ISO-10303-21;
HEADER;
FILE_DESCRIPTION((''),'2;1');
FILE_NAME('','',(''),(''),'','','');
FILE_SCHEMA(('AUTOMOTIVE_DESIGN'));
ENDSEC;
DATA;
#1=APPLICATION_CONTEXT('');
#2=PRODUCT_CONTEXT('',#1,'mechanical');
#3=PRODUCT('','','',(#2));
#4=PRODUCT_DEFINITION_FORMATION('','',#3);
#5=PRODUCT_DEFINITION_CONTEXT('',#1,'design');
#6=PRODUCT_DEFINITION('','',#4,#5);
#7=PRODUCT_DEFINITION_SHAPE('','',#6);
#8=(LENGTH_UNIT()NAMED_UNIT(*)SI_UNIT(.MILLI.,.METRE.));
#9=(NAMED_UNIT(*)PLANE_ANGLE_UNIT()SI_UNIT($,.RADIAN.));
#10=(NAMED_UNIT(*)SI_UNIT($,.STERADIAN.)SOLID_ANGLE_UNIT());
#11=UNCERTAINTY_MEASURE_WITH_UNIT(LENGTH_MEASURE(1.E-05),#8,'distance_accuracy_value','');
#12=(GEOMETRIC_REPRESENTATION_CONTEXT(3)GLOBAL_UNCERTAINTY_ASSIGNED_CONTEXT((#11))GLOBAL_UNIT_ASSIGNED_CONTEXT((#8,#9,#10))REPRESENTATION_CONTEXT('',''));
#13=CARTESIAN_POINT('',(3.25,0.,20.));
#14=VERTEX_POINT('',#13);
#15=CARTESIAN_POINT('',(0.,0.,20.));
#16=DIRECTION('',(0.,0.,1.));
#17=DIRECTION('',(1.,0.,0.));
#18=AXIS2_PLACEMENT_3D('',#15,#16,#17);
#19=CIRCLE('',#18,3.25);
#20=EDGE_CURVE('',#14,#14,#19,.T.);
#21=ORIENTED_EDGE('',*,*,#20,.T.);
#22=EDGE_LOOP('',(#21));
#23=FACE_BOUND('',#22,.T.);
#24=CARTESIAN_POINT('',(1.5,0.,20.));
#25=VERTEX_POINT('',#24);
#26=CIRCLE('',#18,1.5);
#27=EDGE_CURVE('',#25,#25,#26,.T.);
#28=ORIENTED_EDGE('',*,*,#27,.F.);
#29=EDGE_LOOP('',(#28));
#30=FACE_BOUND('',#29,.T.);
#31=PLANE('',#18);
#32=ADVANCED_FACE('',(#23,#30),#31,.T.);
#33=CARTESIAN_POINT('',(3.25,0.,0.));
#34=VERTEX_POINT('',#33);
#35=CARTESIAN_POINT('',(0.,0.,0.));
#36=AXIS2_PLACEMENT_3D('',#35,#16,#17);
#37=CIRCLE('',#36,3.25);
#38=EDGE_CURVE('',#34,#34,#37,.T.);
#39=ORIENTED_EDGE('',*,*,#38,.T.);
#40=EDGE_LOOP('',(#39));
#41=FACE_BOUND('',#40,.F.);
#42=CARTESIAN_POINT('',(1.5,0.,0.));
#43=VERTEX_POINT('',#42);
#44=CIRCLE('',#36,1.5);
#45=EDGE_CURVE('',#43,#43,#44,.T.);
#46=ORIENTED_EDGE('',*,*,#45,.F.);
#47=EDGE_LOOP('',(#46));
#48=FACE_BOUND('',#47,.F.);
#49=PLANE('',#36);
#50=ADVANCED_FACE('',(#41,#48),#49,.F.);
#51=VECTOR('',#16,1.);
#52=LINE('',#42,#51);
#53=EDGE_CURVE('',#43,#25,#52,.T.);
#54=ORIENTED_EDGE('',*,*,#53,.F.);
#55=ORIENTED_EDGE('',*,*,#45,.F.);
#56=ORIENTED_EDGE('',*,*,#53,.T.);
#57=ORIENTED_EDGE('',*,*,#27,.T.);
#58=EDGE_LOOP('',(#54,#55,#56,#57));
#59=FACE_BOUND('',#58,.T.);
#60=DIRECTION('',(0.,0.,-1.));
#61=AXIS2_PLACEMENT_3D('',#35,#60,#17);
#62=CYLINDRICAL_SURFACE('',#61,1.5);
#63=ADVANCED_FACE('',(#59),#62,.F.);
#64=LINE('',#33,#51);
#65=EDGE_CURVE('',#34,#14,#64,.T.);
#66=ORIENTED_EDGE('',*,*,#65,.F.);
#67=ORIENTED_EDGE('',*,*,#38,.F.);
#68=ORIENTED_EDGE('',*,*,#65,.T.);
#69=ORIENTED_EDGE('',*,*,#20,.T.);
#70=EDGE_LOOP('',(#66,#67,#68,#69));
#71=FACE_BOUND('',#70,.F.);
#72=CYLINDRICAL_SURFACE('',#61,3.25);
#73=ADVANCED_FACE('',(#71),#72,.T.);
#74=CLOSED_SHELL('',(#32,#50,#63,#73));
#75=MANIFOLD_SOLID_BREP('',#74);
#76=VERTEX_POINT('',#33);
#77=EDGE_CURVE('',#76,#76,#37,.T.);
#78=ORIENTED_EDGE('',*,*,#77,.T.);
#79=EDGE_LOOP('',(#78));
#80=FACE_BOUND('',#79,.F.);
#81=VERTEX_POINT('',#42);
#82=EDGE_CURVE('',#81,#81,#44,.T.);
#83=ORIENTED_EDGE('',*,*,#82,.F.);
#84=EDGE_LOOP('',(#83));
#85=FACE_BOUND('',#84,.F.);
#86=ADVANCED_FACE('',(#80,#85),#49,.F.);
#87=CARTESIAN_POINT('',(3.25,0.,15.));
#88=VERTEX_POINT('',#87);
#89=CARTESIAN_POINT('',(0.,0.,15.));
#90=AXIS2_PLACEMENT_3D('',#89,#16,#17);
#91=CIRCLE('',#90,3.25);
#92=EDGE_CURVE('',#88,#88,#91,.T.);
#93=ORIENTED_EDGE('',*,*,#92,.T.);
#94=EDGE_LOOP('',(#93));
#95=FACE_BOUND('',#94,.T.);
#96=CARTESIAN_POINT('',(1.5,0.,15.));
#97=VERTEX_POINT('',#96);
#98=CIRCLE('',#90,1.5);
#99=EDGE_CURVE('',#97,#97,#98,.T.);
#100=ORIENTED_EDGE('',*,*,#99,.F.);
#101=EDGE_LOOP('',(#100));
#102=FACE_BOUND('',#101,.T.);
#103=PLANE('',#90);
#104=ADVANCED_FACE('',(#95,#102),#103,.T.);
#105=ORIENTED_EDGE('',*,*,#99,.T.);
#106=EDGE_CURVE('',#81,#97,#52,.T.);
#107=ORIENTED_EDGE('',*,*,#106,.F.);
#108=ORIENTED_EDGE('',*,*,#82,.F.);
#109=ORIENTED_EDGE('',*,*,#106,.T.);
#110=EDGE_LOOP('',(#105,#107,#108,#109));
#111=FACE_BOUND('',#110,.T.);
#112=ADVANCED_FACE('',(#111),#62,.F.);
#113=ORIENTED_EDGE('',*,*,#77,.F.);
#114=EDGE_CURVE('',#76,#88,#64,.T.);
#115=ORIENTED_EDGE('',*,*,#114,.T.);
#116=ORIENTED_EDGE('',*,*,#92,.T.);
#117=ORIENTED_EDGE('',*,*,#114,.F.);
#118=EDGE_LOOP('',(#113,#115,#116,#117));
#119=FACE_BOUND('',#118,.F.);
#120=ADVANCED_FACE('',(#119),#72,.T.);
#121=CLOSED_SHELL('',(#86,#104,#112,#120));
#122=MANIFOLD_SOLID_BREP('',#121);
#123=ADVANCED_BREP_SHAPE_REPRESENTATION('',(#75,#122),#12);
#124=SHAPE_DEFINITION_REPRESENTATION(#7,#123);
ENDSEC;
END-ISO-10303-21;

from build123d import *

# Parameters (mm, degrees)
F0_R     = 3.25
F0_R_2   = 1.5
F1_DEPTH = 15
F2_DEPTH = 20


with BuildPart() as f1:
    # F0 (on Top) → F1 (new body)
    with BuildSketch(Plane.XY):
        Circle(F0_R)
        Circle(F0_R_2, mode=Mode.SUBTRACT)
    extrude(amount=F1_DEPTH)


with BuildPart() as f2:
    # F0 (on Top) → F2 (new body)
    with BuildSketch(Plane.XY):
        Circle(F0_R)
        Circle(F0_R_2, mode=Mode.SUBTRACT)
    extrude(amount=F2_DEPTH)


solid = Compound([f1.part, f2.part])
